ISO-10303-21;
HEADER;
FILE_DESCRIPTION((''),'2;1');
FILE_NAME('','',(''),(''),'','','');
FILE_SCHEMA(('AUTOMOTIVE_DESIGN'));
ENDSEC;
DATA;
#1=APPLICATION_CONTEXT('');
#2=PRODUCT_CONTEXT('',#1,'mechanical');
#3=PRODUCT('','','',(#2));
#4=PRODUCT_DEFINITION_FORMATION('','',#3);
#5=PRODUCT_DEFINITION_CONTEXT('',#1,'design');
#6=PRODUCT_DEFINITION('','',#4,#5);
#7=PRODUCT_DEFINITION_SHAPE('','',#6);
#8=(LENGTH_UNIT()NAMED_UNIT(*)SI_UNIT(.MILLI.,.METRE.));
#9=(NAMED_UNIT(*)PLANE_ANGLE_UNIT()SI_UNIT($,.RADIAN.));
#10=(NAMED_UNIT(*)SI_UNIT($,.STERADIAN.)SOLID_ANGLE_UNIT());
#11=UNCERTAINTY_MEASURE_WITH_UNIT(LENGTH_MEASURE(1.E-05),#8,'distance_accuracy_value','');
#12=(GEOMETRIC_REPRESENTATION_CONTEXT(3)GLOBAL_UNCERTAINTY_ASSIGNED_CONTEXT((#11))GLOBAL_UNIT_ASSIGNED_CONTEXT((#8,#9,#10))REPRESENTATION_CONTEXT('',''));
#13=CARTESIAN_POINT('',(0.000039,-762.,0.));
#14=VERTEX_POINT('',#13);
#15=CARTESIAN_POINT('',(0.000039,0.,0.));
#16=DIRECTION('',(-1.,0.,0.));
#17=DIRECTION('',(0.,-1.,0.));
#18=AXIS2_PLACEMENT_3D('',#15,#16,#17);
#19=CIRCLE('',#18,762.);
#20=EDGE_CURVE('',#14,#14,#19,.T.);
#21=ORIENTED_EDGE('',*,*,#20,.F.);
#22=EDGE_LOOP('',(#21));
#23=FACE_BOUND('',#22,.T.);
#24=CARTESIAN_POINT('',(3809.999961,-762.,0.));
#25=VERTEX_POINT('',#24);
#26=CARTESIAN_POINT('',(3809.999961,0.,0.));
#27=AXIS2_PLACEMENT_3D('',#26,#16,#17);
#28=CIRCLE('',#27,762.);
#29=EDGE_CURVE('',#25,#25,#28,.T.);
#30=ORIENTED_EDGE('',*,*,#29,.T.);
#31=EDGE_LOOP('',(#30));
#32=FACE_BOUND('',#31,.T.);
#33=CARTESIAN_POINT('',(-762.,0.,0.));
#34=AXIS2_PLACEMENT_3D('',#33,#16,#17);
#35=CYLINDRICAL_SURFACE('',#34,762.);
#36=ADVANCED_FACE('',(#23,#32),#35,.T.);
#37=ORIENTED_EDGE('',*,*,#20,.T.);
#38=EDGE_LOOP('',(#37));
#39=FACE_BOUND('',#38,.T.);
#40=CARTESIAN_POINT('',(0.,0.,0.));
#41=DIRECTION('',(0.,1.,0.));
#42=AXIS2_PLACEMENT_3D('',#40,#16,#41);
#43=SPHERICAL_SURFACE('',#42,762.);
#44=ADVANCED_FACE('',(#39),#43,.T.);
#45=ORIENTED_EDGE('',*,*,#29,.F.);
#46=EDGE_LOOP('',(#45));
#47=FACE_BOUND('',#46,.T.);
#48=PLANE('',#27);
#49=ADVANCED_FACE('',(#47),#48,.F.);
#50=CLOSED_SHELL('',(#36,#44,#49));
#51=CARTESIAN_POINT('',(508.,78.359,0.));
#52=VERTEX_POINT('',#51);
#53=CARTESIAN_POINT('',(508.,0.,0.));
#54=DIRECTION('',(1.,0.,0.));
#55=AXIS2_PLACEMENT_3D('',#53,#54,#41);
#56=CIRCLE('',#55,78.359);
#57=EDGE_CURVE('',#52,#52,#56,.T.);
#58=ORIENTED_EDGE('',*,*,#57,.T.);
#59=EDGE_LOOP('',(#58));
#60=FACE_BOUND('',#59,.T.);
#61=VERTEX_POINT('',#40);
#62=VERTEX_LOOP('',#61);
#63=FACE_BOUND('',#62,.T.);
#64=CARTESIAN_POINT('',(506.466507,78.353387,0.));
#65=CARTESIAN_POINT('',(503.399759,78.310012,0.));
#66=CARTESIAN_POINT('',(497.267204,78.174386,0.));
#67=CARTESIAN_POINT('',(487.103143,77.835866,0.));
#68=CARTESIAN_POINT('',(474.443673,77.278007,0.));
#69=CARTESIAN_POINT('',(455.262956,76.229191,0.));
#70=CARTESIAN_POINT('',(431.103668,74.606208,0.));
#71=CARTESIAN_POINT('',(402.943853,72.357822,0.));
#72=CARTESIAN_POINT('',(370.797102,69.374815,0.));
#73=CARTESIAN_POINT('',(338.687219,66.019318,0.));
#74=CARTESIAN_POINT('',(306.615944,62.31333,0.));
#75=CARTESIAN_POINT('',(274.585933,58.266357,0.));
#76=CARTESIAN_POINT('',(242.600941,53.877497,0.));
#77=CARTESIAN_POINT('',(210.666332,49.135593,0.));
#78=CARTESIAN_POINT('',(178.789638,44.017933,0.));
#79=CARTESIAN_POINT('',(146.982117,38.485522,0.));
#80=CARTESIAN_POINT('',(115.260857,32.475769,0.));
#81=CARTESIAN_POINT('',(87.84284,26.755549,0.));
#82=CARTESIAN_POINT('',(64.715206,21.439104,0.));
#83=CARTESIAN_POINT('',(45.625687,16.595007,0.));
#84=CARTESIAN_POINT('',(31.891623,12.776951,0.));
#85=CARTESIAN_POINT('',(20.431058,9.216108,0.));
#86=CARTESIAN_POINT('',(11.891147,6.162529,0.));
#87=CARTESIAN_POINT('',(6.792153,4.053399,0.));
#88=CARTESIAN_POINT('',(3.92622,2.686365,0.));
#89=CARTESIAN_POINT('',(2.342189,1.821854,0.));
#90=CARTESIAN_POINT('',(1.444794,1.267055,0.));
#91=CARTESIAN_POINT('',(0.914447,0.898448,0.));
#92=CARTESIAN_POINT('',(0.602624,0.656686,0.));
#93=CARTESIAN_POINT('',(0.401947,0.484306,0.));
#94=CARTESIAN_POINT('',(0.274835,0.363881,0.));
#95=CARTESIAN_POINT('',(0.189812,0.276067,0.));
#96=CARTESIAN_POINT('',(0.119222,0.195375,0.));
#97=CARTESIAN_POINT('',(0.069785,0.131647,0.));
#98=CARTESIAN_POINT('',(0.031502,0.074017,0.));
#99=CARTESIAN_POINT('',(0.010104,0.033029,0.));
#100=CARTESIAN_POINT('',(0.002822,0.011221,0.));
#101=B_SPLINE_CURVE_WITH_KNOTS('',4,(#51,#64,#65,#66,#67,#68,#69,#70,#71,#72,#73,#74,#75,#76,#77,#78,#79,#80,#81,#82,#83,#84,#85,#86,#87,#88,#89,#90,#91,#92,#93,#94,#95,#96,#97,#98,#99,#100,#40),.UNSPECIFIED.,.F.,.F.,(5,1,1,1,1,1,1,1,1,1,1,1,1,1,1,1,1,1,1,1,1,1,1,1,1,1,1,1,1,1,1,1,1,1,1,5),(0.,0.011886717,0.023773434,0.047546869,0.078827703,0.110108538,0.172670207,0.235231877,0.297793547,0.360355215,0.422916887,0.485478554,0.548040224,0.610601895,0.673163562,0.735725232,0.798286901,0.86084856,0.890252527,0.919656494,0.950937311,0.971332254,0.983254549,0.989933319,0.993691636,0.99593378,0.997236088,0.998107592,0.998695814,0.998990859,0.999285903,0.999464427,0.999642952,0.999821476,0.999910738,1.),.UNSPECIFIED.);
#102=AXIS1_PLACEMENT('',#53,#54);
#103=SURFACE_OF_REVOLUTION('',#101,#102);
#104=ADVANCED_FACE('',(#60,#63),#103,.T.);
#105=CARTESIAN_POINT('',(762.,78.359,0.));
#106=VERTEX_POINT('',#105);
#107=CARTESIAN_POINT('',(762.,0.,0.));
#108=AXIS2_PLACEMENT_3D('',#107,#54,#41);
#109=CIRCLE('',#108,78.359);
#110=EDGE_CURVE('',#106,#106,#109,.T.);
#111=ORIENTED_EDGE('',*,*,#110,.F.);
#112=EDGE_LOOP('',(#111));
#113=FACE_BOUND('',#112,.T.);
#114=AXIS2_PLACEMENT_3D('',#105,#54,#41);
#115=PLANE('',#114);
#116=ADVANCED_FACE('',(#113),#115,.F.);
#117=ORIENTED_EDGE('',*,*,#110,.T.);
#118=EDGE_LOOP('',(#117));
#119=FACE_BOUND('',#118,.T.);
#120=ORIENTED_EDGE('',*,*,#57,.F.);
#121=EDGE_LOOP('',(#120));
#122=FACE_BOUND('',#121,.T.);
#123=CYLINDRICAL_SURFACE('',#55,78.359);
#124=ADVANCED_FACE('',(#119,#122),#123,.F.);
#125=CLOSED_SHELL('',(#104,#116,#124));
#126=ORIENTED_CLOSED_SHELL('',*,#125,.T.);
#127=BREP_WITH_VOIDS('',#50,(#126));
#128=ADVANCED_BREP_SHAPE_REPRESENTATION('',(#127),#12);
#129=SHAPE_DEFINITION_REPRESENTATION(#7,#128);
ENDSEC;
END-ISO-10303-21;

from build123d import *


with BuildPart() as part:
    # Sketch8 → Revolve8 (revolve)
    with BuildSketch(Plane.XY):
        with BuildLine():
            Line((508, 0), (0, 0))
            add(Edge.make_bspline(
                [(0, 0), (0.002822011, 0.011220682), (0.01010376, 0.033028979), (0.031502321, 0.074017024), (0.069784833, 0.131646678), (0.119222388, 0.195375451), (0.189812425, 0.276067496), (0.274835356, 0.363880791), (0.401947452, 0.484306453), (0.602624186, 0.656685654), (0.914446886, 0.898448081), (1.444794417, 1.267055392), (2.342189308, 1.821854316), (3.926219982, 2.68636524), (6.792153336, 4.05339861), (11.891147147, 6.162529219), (20.431057711, 9.216107653), (31.891623295, 12.776951203), (45.625686568, 16.59500746), (64.715206078, 21.439103902), (87.842839522, 26.755548696), (115.260857413, 32.475768916), (146.98211669, 38.485522007), (178.789638074, 44.017933119), (210.666331669, 49.135593448), (242.60094075, 53.877496918), (274.585932559, 58.26635678), (306.615943821, 62.313330004), (338.687218842, 66.019317565), (370.797101622, 69.374815155), (402.943853119, 72.357821551), (431.103668314, 74.606208089), (455.262955994, 76.229190957), (474.443672775, 77.278006717), (487.103143355, 77.83586579), (497.267203511, 78.174386426), (503.399758723, 78.310011701), (506.466506539, 78.353386553), (508, 78.359)],
                knots=[0, 0, 0, 0, 0, 8.9262e-05, 0.000178524, 0.000357048, 0.000535573, 0.000714097, 0.001009141, 0.001304186, 0.001892408, 0.002763912, 0.00406622, 0.006308364, 0.010066681, 0.016745451, 0.028667746, 0.049062689, 0.080343506, 0.109747473, 0.13915144, 0.201713099, 0.264274768, 0.326836438, 0.389398105, 0.451959776, 0.514521446, 0.577083113, 0.639644785, 0.702206453, 0.764768123, 0.827329793, 0.889891462, 0.921172297, 0.952453131, 0.976226566, 0.988113283, 1, 1, 1, 1, 1], degree=4))
            Line((508, 78.359), (762, 78.359))
            Line((762, 78.359), (762, 0))
            Line((762, 0), (508, 0))
        make_face()
    revolve(axis=Axis((508, 0, 0), (-1, 0, 0)))


with BuildPart() as body_2:
    # Sketch9 → Revolve9 (revolve)
    with BuildSketch(Plane.XY):
        with BuildLine():
            Line((-762, 0), (3809.999961401, 0))
            Line((3809.999961401, 0), (3809.999961401, 762))
            Line((3809.999961401, 762), (3.8599e-05, 762))
            ThreePointArc((3.8599e-05, 762), (-538.815353617, 538.815380911), (-762, 0))
        make_face()
    revolve(axis=Axis((-762, 0, 0), (1, 0, 0)))

    # Combine1: cut part
    add(part.part, mode=Mode.SUBTRACT)


solid = body_2.part
